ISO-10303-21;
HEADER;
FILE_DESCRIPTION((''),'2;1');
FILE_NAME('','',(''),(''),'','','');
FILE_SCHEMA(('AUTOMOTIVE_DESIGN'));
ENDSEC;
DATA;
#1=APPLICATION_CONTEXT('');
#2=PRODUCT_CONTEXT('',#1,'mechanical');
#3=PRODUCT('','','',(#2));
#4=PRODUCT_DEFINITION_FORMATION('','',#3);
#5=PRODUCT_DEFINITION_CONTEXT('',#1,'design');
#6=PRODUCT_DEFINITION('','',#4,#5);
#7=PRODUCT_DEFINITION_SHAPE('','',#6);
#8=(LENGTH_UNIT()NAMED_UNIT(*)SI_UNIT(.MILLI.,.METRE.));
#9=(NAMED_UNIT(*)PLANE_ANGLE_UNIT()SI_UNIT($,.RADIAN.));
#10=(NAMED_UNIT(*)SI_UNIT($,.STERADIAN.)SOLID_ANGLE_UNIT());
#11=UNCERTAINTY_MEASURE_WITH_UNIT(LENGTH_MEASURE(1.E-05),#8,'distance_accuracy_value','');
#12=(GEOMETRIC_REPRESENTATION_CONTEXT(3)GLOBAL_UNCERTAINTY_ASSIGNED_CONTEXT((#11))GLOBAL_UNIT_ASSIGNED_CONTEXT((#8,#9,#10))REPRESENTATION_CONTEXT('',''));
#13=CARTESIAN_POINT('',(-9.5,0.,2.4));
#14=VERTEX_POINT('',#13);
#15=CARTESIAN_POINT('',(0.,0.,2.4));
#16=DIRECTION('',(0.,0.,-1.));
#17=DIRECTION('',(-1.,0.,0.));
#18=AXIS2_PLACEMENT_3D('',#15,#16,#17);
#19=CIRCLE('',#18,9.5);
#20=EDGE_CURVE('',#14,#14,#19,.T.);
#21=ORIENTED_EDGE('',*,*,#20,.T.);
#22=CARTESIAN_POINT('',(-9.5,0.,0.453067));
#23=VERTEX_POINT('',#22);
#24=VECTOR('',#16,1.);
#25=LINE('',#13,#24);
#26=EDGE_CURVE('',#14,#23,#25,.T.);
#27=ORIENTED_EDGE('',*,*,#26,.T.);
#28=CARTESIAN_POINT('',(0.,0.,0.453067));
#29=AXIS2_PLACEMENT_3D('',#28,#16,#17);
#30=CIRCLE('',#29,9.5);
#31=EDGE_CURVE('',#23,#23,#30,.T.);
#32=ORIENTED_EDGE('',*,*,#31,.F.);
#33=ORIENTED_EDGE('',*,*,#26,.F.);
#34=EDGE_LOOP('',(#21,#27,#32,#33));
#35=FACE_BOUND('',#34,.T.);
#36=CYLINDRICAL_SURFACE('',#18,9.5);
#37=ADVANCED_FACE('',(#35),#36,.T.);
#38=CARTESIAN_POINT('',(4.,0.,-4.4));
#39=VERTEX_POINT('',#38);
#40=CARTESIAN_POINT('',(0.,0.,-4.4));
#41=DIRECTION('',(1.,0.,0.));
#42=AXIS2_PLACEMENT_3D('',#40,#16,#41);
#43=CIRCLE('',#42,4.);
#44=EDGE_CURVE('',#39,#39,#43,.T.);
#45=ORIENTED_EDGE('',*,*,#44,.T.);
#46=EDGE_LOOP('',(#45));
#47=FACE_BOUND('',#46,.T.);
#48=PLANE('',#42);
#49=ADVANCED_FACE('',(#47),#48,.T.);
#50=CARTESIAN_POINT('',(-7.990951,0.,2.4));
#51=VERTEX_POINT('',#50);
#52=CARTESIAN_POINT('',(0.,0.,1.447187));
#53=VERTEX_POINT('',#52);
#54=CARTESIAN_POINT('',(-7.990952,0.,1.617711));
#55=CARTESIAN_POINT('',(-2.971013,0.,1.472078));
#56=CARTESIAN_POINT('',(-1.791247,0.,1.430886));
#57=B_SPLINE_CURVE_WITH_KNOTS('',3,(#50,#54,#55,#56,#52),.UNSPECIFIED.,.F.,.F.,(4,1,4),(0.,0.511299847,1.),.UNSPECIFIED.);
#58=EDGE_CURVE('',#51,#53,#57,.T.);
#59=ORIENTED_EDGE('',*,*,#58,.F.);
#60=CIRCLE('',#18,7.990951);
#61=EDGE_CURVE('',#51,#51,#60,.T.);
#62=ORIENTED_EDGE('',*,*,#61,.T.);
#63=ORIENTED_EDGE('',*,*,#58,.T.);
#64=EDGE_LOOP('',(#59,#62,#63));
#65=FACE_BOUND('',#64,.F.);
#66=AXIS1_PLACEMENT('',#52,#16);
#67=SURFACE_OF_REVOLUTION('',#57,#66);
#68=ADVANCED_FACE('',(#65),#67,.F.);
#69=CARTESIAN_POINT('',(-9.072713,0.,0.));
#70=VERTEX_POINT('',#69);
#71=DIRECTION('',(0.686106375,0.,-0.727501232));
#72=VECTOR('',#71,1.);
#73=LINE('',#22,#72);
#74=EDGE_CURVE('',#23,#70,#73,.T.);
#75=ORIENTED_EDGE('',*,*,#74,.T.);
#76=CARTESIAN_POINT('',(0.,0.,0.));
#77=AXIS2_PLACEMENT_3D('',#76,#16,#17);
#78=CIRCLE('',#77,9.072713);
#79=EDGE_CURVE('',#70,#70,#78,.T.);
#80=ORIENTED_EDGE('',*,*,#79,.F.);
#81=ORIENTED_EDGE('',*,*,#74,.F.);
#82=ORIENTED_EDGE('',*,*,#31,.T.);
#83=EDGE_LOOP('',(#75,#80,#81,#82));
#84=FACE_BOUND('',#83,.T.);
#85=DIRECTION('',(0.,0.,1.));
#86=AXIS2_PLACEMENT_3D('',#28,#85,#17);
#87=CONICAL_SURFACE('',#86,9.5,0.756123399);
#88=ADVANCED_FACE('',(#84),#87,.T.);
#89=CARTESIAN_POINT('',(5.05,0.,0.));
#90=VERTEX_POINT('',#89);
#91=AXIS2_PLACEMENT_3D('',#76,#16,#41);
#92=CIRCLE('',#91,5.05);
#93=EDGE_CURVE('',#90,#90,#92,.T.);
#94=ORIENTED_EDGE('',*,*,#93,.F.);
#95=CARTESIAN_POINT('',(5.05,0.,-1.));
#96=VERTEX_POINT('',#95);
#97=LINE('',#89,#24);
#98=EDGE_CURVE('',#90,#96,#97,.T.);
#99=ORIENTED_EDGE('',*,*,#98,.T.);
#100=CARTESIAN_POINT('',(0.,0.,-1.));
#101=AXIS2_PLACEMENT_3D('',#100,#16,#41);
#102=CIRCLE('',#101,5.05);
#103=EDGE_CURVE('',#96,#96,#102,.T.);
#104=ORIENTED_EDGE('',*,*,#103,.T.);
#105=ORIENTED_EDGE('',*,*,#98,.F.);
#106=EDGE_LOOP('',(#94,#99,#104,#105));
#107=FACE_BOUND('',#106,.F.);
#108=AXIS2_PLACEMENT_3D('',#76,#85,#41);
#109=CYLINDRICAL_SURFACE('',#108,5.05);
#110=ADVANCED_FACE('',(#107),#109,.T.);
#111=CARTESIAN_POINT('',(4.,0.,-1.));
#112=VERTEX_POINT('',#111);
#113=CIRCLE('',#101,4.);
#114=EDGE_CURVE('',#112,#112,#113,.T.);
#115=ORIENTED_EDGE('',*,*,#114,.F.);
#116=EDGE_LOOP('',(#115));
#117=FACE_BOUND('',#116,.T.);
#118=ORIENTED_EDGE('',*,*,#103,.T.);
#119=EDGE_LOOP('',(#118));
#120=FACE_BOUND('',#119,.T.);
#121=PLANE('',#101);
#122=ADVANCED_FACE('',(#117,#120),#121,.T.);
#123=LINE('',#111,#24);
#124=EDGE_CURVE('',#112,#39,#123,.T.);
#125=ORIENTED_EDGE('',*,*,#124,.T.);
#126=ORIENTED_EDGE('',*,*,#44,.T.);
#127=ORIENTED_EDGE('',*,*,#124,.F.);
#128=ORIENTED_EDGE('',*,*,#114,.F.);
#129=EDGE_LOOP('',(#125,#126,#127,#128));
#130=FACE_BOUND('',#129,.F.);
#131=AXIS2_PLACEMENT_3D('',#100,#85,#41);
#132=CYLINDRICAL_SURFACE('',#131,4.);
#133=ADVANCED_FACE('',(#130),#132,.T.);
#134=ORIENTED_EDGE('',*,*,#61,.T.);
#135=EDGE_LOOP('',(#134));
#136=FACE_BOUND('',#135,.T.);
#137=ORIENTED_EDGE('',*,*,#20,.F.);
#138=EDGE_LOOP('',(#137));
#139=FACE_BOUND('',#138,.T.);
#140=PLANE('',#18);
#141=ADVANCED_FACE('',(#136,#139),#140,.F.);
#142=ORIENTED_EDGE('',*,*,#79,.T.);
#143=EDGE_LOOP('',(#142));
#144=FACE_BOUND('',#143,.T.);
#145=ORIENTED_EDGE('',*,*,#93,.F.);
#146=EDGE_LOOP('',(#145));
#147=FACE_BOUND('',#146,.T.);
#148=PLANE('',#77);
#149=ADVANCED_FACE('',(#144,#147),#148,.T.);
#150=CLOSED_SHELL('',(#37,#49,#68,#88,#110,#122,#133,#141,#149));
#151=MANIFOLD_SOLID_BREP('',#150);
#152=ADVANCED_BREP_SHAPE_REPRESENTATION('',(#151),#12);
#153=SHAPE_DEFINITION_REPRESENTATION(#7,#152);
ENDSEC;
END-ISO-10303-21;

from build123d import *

# Parameters (mm, degrees)
F2_R     = 5.05
F3_DEPTH = 1
F4_R     = 4
F5_DEPTH = 3.4


with BuildPart() as f1:
    # F0 (on Front) → F1 (revolve)
    with BuildSketch(Plane.XZ):
        with BuildLine():
            Line((-7.9909514666, 2.4), (-9.5, 2.4))
            Line((-9.5, 2.4), (-9.5, 0.4530665231))
            Line((-9.5, 0.4530665231), (-9.0727129846, 0))
            Line((-9.0727129846, 0), (0, 0))
            Line((0, 0), (0, 1.4471871546))
            add(Edge.make_bspline(
                [(-7.9909514666, 2.4), (-7.9909515723, 1.617711094), (-2.9710125266, 1.4720783209), (-1.7912473995, 1.4308859827), (0, 1.4471871546)],
                knots=[0, 0, 0, 0, 0.5112998469, 1, 1, 1, 1], degree=3))
        make_face()
    revolve(axis=Axis((0, 0, 1.4471871546), (0, 0, -1)))

    # F2 (on face) → F3 (join)
    with BuildSketch(Plane(origin=(0, 0, 0), x_dir=(1, 0, 0), z_dir=(0, 0, -1))):
        Circle(F2_R)
    extrude(amount=F3_DEPTH)

    # F4 (on face) → F5 (join)
    with BuildSketch(Plane(origin=(0, 0, -1), x_dir=(1, 0, 0), z_dir=(0, 0, -1))):
        Circle(F4_R)
    extrude(amount=F5_DEPTH)


solid = f1.part
